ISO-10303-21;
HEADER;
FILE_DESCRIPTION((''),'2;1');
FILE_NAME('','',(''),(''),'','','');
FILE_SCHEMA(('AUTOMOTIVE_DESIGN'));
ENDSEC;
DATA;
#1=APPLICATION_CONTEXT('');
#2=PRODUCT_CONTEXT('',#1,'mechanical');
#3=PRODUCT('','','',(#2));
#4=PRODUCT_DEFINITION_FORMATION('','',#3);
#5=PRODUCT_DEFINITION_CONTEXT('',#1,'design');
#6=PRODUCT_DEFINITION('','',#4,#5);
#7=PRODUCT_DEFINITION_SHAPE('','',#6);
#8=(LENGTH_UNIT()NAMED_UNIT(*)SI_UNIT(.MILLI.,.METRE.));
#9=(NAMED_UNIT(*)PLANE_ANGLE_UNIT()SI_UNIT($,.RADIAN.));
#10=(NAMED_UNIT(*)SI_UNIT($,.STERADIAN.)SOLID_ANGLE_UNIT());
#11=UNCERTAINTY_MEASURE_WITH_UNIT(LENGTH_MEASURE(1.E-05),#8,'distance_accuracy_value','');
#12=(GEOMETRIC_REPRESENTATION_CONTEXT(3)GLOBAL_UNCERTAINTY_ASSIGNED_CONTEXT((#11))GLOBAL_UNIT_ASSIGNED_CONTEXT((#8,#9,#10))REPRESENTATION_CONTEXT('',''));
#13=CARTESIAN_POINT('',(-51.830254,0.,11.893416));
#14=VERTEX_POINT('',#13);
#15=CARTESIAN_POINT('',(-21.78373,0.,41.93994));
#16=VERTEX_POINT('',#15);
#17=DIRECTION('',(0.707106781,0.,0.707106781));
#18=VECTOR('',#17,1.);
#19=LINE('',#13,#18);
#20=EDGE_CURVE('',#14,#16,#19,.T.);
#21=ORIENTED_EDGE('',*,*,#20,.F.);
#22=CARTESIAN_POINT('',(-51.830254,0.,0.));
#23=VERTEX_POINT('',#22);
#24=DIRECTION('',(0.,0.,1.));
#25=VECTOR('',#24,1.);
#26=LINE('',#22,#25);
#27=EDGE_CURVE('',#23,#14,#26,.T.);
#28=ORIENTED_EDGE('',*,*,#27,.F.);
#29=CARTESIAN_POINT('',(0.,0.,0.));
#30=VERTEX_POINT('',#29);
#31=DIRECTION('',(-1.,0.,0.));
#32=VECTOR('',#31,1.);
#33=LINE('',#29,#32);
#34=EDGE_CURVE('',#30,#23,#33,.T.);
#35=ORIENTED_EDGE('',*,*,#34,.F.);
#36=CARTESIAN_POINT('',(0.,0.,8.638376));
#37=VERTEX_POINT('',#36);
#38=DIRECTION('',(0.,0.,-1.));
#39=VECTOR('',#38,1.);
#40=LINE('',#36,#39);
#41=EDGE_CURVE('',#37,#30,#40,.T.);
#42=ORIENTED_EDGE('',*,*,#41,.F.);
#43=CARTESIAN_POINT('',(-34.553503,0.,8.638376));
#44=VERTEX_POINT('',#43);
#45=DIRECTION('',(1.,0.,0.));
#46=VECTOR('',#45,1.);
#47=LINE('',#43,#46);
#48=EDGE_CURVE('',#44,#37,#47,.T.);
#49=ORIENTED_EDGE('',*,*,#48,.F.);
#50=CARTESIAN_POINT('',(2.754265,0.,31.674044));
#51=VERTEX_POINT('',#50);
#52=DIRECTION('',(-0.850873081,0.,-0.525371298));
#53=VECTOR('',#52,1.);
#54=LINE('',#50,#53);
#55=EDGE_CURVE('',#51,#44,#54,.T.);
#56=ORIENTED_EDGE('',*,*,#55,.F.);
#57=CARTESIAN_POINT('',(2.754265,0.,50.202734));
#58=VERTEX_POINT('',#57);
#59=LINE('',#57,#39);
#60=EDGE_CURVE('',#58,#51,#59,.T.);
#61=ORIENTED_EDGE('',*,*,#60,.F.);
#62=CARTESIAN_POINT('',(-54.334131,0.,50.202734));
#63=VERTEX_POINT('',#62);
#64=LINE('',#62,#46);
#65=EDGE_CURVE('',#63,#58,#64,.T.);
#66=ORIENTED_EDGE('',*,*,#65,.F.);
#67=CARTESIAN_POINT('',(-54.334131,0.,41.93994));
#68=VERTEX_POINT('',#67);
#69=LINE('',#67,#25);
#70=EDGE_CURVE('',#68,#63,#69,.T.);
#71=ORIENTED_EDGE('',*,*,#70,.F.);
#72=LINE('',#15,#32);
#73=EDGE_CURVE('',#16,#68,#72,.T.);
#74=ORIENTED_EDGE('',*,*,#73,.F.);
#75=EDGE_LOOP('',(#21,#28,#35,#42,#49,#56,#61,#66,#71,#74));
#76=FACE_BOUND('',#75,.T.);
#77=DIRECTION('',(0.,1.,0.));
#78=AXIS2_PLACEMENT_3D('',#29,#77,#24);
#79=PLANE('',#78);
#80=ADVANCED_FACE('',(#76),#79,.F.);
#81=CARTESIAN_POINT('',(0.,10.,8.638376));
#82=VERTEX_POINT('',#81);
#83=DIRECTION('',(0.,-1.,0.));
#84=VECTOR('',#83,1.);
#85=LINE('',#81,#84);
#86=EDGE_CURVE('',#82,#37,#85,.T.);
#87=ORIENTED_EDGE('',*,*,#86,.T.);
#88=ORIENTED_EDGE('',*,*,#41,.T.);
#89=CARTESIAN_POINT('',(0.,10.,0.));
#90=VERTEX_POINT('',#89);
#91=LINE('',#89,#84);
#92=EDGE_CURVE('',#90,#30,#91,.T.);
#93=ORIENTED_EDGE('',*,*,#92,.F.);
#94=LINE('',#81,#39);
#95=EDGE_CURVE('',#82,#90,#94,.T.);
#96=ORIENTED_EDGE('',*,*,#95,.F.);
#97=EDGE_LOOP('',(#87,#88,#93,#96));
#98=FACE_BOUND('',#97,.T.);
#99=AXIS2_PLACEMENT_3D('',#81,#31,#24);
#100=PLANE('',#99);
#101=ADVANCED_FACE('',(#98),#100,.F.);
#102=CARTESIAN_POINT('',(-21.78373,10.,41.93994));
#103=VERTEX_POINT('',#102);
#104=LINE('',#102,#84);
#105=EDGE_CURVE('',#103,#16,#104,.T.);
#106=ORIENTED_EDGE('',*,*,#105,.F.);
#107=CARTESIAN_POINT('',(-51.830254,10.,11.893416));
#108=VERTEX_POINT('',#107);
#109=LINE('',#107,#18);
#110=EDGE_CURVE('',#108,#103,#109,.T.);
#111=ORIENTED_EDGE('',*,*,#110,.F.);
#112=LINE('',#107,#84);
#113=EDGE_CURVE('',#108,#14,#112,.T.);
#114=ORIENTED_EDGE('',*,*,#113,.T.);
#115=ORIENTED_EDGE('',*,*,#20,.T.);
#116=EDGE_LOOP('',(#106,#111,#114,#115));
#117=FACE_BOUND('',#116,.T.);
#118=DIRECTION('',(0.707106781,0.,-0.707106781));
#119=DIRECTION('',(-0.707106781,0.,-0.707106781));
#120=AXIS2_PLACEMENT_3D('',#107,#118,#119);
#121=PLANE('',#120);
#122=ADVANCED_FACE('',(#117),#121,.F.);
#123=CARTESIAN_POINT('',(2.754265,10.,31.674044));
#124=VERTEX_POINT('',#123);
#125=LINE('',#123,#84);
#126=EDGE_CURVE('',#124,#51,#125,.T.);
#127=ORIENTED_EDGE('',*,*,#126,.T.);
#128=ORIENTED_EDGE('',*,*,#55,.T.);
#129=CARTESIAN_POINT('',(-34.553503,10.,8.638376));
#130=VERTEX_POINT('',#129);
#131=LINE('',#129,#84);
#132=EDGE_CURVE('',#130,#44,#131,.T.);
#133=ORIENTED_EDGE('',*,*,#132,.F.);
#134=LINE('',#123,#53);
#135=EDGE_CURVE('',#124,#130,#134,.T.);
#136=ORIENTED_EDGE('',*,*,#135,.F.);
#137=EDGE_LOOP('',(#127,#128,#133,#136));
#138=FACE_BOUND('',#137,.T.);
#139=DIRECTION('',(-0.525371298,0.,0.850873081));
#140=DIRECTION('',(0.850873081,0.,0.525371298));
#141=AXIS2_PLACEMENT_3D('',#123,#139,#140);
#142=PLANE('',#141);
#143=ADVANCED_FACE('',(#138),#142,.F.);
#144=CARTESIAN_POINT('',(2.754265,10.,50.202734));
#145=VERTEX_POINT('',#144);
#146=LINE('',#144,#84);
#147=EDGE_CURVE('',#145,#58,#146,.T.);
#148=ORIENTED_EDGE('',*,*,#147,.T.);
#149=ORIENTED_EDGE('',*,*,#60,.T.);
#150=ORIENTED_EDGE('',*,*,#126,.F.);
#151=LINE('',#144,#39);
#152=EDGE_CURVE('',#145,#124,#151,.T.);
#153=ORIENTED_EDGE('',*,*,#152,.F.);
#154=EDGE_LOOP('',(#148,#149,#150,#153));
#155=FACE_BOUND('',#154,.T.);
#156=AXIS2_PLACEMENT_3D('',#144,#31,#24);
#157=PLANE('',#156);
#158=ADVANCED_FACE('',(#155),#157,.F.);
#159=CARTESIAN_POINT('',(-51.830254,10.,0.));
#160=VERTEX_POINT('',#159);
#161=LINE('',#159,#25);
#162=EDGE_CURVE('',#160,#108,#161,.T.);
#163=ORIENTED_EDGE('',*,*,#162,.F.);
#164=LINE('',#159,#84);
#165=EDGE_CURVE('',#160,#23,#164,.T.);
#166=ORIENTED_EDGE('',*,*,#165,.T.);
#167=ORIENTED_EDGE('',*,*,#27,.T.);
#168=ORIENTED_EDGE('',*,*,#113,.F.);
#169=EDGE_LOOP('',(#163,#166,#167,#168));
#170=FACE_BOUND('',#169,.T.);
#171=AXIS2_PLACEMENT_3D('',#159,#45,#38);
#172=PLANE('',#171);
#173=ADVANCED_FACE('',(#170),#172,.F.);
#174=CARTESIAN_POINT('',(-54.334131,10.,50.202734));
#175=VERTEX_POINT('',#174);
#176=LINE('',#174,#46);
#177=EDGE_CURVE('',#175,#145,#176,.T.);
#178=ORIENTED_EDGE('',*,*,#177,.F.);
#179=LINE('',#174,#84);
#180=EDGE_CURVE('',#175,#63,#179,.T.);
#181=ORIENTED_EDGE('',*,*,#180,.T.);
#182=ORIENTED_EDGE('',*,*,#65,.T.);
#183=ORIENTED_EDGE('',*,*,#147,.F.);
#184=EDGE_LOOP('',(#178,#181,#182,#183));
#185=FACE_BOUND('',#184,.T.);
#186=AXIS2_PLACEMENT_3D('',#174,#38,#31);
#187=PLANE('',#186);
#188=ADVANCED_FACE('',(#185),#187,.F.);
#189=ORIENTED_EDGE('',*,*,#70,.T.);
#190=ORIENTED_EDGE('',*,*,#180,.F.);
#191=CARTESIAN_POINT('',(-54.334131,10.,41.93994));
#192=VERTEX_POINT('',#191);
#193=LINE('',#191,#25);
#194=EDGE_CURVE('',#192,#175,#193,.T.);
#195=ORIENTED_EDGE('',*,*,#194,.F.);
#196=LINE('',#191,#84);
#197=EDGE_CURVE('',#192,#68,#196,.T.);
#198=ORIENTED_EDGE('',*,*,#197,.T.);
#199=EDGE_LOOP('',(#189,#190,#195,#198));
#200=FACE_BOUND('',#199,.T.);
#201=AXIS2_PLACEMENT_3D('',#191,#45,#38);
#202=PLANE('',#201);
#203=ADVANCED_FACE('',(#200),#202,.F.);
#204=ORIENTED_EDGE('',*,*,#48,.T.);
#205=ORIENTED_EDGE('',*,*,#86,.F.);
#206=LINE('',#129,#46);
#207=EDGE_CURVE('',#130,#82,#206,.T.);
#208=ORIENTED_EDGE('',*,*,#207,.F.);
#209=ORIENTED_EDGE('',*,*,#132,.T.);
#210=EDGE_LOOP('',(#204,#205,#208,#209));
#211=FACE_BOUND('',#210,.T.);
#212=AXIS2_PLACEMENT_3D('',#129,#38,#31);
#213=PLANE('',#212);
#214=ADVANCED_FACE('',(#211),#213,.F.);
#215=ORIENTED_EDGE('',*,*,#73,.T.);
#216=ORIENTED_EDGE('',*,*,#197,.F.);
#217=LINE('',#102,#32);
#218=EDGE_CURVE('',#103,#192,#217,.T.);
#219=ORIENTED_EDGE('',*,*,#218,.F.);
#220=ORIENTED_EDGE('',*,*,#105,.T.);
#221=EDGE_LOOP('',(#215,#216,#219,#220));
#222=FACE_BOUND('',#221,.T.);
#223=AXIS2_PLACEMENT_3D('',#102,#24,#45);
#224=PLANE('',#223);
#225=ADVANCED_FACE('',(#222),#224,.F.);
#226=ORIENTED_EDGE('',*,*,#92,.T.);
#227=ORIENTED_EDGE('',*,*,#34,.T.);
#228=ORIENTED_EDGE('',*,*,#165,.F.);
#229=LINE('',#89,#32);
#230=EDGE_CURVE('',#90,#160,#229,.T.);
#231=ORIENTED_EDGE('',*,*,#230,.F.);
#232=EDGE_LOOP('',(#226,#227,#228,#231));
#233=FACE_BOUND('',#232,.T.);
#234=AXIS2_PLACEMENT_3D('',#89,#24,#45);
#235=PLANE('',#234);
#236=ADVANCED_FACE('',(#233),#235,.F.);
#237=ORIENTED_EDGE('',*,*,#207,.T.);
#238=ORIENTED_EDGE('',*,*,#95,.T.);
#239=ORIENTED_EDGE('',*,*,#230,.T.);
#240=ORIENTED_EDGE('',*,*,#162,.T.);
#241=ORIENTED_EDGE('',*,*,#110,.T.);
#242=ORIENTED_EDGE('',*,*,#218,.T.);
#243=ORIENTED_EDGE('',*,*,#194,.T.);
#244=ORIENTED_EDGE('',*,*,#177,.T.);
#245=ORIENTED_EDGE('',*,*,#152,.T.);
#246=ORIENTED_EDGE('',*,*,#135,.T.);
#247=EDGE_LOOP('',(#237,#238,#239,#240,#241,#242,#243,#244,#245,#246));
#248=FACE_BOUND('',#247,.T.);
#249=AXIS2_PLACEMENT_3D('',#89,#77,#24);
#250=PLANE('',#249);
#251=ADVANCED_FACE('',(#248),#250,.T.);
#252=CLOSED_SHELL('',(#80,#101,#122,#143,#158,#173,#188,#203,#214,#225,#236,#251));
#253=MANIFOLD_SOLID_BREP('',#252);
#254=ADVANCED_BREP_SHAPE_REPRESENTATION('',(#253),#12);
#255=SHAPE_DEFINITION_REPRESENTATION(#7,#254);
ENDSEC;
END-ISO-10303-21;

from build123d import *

# Parameters (mm, degrees)
BOSS_EXTRUDE1_DEPTH = 10


with BuildPart() as part:
    # Sketch1 → Boss-Extrude1 (new body)
    with BuildSketch(Plane(origin=(0, 0, 0), x_dir=(1, 0, 0), z_dir=(0, 1, 0))):
        Polygon((0, 0), (-51.830254463, 0), (-51.830254463, -11.893415879), (-21.783730136, -41.939940205), (-54.33413149, -41.939940205), (-54.33413149, -50.202734395), (2.75426473, -50.202734395), (2.75426473, -31.674044394), (-34.553502975, -8.638375744), (0, -8.638375744), align=None)
    extrude(amount=BOSS_EXTRUDE1_DEPTH)


solid = part.part
